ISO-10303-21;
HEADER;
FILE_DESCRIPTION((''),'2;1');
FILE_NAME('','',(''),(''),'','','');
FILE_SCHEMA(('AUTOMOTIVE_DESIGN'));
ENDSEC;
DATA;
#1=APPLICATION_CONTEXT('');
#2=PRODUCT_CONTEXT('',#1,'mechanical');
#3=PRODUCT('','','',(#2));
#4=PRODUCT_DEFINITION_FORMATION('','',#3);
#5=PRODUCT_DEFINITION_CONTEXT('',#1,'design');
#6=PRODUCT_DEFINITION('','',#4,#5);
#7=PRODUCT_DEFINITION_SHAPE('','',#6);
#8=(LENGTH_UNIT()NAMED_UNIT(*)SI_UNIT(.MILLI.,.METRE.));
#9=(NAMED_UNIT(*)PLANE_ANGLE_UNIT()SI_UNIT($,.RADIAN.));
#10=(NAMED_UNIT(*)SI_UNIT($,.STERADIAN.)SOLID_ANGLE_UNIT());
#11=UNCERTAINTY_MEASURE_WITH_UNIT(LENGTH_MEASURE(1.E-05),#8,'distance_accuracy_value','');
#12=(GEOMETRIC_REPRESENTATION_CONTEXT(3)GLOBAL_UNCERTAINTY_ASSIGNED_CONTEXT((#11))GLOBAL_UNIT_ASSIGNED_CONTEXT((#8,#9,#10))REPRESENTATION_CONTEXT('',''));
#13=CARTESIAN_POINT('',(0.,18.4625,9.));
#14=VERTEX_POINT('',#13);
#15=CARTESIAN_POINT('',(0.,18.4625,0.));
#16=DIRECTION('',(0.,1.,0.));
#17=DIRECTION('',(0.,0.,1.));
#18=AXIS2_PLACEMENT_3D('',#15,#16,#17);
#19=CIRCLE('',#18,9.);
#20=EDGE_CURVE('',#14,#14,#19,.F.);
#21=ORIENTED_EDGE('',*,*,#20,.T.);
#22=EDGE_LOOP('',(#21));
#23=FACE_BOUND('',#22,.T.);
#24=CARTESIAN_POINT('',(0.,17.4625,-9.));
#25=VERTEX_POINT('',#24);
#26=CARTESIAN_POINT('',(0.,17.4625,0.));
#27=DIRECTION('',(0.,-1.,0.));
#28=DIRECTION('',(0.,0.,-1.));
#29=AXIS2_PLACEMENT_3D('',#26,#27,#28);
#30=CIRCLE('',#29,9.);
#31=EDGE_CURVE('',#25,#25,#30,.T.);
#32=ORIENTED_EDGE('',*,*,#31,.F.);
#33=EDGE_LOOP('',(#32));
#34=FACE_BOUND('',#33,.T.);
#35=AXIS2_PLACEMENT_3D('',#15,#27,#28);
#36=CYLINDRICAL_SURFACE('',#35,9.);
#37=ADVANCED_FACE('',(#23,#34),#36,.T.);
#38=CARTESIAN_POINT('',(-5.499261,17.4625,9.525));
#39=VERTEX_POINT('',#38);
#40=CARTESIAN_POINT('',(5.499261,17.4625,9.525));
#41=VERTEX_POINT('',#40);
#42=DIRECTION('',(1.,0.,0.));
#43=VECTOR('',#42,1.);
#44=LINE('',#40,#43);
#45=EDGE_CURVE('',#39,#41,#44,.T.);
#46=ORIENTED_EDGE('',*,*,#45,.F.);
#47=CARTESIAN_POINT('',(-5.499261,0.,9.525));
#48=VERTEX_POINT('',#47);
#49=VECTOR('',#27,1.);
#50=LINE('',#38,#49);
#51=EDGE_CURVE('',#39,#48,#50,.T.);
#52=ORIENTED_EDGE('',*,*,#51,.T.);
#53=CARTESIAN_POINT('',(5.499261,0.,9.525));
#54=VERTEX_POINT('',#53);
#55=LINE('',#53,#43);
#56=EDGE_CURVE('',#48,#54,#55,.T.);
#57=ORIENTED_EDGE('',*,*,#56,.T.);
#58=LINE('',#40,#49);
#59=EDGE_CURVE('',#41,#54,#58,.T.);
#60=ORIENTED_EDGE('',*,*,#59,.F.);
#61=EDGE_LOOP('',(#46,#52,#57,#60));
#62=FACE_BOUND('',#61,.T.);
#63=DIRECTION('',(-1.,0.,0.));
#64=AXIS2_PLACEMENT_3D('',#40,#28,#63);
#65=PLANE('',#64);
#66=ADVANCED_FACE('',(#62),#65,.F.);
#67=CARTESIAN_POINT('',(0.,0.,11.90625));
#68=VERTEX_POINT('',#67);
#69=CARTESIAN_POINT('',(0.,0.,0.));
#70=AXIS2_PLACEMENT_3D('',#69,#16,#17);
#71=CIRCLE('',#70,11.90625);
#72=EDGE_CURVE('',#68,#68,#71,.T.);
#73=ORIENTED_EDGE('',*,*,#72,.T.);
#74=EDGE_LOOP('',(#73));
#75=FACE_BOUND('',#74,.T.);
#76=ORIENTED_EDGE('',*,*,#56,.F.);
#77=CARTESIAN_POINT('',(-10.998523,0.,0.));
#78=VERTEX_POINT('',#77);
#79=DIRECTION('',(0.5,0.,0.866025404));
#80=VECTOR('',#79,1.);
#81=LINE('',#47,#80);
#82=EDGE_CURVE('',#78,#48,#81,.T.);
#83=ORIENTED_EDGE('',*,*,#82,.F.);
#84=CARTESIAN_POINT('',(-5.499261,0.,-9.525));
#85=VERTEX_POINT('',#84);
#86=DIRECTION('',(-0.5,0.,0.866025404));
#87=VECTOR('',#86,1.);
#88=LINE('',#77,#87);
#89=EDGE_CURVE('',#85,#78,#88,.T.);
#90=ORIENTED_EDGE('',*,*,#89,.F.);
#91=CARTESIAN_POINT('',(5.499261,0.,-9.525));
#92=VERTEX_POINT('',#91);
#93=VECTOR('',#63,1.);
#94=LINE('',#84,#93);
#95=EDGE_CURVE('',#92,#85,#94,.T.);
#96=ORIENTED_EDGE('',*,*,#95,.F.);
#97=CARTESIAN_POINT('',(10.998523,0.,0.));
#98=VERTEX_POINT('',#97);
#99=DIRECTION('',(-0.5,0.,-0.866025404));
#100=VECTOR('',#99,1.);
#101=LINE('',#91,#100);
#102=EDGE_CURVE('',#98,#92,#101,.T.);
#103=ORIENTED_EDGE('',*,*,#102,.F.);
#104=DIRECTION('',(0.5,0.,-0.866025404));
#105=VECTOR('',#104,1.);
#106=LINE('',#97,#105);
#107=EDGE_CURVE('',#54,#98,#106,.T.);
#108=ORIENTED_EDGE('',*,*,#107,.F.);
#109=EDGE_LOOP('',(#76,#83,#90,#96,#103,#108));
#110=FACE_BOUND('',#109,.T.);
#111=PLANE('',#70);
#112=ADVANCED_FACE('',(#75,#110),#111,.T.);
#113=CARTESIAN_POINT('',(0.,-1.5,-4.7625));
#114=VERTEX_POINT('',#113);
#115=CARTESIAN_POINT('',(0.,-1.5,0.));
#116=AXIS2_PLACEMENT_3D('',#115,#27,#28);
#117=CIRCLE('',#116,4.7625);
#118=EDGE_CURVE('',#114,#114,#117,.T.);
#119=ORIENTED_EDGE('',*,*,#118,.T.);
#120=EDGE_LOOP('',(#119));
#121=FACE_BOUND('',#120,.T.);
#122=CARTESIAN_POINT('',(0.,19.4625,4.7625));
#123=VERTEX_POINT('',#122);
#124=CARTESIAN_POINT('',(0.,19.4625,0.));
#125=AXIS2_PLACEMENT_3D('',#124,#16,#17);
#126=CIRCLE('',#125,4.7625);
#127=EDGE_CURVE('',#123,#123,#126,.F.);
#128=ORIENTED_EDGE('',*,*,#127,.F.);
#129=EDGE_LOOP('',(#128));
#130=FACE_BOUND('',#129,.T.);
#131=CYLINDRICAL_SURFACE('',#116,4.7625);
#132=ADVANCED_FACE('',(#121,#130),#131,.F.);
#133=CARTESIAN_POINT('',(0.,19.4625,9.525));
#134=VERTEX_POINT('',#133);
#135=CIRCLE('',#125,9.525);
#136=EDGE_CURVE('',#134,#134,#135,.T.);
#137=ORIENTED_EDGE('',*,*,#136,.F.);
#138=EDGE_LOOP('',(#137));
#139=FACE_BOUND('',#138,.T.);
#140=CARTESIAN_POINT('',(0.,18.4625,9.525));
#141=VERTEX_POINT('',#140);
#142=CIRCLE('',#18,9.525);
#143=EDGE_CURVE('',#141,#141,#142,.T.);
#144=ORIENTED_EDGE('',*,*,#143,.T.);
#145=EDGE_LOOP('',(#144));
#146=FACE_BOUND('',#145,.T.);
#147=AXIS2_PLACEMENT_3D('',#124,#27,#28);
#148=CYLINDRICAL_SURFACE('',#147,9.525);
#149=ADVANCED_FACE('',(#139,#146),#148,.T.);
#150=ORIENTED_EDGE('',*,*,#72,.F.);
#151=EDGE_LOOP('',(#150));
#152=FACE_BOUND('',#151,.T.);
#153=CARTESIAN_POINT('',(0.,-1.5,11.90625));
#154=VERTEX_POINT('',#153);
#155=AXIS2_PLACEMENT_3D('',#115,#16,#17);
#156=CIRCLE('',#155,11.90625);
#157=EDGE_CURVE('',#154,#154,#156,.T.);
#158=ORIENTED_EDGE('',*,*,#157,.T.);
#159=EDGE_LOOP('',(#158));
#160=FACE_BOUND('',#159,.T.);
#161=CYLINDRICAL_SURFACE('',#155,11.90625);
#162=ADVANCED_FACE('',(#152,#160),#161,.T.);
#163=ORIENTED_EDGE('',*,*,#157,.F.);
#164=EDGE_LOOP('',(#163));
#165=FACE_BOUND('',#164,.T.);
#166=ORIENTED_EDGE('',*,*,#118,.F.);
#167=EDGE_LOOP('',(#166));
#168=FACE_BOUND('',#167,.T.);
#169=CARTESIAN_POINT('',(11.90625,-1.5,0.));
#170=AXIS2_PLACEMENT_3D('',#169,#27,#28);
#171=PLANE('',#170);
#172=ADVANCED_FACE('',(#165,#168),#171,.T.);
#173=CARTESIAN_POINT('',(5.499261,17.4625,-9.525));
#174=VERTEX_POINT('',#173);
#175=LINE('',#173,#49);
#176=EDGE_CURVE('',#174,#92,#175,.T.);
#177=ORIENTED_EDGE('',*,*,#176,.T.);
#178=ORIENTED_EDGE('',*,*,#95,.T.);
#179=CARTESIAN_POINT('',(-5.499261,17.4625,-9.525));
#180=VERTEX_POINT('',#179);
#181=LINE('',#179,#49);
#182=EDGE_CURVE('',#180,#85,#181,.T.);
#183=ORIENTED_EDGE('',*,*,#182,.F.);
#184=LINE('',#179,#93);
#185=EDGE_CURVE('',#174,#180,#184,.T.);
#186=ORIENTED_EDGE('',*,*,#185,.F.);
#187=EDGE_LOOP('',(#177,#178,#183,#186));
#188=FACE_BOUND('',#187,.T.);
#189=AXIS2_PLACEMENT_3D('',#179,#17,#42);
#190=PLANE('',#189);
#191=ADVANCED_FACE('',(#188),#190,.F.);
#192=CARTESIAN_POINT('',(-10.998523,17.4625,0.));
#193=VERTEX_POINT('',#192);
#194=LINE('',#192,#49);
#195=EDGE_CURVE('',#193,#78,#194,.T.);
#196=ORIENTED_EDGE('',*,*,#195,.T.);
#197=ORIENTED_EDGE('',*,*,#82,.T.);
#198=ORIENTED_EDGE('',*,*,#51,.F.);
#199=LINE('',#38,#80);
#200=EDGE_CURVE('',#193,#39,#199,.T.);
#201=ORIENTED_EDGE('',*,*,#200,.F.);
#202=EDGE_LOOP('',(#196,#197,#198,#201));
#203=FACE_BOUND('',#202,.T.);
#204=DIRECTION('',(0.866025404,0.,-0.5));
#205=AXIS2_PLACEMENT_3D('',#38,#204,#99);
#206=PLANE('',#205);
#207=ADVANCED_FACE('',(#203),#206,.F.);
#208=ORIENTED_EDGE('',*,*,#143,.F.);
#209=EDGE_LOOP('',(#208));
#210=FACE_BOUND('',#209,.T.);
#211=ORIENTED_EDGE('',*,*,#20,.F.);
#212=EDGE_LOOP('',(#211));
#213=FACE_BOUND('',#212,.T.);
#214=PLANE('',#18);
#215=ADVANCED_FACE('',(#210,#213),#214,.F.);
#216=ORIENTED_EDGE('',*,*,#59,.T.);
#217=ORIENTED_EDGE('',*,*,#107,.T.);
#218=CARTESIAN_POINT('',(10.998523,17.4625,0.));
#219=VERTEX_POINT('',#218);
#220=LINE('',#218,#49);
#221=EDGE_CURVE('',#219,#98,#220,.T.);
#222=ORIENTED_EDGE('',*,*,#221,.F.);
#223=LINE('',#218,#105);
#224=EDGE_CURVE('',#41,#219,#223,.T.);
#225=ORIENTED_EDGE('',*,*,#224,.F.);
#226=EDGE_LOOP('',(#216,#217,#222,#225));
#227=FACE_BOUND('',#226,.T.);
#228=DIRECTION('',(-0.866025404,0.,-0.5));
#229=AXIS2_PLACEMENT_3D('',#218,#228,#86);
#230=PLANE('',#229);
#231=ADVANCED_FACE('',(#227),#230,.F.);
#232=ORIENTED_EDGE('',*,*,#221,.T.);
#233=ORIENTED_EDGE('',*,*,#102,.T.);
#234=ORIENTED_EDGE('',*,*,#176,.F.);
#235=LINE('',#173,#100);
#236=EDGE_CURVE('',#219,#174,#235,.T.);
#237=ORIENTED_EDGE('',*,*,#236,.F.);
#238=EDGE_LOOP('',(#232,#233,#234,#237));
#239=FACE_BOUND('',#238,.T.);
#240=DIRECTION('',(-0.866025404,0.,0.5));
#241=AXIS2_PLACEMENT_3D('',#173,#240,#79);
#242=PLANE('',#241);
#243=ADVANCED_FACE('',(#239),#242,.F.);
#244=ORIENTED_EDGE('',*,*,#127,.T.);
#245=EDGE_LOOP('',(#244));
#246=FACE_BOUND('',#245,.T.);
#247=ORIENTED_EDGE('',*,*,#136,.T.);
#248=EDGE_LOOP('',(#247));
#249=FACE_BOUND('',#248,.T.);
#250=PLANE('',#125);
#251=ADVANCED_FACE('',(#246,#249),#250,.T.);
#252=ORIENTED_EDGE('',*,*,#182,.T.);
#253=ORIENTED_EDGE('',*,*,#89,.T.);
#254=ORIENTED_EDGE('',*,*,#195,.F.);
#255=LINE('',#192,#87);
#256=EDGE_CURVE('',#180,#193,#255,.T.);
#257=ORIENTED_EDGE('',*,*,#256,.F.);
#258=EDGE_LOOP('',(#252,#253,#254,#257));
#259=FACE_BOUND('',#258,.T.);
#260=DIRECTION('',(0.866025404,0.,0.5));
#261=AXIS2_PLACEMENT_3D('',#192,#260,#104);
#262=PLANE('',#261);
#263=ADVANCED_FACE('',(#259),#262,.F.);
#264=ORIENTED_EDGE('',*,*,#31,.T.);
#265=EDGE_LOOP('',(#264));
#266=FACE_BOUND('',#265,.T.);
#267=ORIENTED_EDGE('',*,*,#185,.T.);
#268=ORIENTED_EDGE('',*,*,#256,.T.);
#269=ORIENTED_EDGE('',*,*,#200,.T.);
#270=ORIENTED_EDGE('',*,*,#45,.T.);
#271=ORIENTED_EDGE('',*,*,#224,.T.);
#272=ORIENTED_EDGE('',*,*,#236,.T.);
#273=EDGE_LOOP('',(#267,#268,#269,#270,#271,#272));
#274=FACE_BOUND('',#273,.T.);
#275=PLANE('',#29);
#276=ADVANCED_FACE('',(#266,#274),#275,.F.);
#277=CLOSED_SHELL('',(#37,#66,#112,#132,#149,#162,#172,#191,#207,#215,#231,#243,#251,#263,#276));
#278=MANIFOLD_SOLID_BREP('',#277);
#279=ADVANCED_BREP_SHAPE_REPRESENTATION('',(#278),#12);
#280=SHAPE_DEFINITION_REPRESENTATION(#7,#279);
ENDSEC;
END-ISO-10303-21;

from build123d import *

# Parameters (mm, degrees)
SKETCH1_W            = 11.90625
SKETCH1_H            = 1.5
BOSS_EXTRUDE1_DEPTH  = 17.4625
SKETCH3_W            = 9
SKETCH3_H            = 1
SKETCH6_R            = 9.525
BOSS_EXTRUDE2_DEPTH  = 1
M8_CLEARANCE_HOLE1_D = 9.525


with BuildPart() as part:
    # Sketch1 → Revolve1 (revolve)
    with BuildSketch(Plane(origin=(0, 0, 0), x_dir=(-1, 0, 0), z_dir=(0, 0, -1)), mode=Mode.PRIVATE) as revolve1_sk:
        with Locations((-5.953125, -0.75)):
            Rectangle(SKETCH1_W, SKETCH1_H)
    revolve(revolve1_sk.sketch.rotate(Axis((0, -1.5, 0), (0, 1, 0)), 270), axis=Axis((0, -1.5, 0), (0, 1, 0)))

    # Sketch2 → Boss-Extrude1 (add)
    with BuildSketch(Plane(origin=(0, 0, 0), x_dir=(-1, 0, 0), z_dir=(0, 1, 0))):
        Polygon((10.998522628, 0), (5.499261314, -9.525), (-5.499261314, -9.525), (-10.998522628, 0), (-5.499261314, 9.525), (5.499261314, 9.525), align=None)
    extrude(amount=BOSS_EXTRUDE1_DEPTH)

    # Sketch3 → Revolve2 (revolve)
    with BuildSketch(Plane.XY, mode=Mode.PRIVATE) as revolve2_sk:
        with Locations((4.5, 17.9625)):
            Rectangle(SKETCH3_W, SKETCH3_H)
    revolve(revolve2_sk.sketch.rotate(Axis((0, 18.4625, 0), (0, -1, 0)), 270), axis=Axis((0, 18.4625, 0), (0, -1, 0)))

    # Sketch6 → Boss-Extrude2 (add)
    with BuildSketch(Plane(origin=(0, 18.4625, 0), x_dir=(1, 0, 0), z_dir=(0, 1, 0))):
        with Locations(Location((0, 0, 0), (0, 0, 270))):
            Circle(SKETCH6_R)
    extrude(amount=BOSS_EXTRUDE2_DEPTH)

    # M8 Clearance Hole1 (through all)
    with Locations(Plane(origin=(0, -1.5, 0), x_dir=(-1, 0, 0), z_dir=(0, -1, 0))):
        with Locations((0, 0)):
            Hole(M8_CLEARANCE_HOLE1_D / 2)


solid = part.part
